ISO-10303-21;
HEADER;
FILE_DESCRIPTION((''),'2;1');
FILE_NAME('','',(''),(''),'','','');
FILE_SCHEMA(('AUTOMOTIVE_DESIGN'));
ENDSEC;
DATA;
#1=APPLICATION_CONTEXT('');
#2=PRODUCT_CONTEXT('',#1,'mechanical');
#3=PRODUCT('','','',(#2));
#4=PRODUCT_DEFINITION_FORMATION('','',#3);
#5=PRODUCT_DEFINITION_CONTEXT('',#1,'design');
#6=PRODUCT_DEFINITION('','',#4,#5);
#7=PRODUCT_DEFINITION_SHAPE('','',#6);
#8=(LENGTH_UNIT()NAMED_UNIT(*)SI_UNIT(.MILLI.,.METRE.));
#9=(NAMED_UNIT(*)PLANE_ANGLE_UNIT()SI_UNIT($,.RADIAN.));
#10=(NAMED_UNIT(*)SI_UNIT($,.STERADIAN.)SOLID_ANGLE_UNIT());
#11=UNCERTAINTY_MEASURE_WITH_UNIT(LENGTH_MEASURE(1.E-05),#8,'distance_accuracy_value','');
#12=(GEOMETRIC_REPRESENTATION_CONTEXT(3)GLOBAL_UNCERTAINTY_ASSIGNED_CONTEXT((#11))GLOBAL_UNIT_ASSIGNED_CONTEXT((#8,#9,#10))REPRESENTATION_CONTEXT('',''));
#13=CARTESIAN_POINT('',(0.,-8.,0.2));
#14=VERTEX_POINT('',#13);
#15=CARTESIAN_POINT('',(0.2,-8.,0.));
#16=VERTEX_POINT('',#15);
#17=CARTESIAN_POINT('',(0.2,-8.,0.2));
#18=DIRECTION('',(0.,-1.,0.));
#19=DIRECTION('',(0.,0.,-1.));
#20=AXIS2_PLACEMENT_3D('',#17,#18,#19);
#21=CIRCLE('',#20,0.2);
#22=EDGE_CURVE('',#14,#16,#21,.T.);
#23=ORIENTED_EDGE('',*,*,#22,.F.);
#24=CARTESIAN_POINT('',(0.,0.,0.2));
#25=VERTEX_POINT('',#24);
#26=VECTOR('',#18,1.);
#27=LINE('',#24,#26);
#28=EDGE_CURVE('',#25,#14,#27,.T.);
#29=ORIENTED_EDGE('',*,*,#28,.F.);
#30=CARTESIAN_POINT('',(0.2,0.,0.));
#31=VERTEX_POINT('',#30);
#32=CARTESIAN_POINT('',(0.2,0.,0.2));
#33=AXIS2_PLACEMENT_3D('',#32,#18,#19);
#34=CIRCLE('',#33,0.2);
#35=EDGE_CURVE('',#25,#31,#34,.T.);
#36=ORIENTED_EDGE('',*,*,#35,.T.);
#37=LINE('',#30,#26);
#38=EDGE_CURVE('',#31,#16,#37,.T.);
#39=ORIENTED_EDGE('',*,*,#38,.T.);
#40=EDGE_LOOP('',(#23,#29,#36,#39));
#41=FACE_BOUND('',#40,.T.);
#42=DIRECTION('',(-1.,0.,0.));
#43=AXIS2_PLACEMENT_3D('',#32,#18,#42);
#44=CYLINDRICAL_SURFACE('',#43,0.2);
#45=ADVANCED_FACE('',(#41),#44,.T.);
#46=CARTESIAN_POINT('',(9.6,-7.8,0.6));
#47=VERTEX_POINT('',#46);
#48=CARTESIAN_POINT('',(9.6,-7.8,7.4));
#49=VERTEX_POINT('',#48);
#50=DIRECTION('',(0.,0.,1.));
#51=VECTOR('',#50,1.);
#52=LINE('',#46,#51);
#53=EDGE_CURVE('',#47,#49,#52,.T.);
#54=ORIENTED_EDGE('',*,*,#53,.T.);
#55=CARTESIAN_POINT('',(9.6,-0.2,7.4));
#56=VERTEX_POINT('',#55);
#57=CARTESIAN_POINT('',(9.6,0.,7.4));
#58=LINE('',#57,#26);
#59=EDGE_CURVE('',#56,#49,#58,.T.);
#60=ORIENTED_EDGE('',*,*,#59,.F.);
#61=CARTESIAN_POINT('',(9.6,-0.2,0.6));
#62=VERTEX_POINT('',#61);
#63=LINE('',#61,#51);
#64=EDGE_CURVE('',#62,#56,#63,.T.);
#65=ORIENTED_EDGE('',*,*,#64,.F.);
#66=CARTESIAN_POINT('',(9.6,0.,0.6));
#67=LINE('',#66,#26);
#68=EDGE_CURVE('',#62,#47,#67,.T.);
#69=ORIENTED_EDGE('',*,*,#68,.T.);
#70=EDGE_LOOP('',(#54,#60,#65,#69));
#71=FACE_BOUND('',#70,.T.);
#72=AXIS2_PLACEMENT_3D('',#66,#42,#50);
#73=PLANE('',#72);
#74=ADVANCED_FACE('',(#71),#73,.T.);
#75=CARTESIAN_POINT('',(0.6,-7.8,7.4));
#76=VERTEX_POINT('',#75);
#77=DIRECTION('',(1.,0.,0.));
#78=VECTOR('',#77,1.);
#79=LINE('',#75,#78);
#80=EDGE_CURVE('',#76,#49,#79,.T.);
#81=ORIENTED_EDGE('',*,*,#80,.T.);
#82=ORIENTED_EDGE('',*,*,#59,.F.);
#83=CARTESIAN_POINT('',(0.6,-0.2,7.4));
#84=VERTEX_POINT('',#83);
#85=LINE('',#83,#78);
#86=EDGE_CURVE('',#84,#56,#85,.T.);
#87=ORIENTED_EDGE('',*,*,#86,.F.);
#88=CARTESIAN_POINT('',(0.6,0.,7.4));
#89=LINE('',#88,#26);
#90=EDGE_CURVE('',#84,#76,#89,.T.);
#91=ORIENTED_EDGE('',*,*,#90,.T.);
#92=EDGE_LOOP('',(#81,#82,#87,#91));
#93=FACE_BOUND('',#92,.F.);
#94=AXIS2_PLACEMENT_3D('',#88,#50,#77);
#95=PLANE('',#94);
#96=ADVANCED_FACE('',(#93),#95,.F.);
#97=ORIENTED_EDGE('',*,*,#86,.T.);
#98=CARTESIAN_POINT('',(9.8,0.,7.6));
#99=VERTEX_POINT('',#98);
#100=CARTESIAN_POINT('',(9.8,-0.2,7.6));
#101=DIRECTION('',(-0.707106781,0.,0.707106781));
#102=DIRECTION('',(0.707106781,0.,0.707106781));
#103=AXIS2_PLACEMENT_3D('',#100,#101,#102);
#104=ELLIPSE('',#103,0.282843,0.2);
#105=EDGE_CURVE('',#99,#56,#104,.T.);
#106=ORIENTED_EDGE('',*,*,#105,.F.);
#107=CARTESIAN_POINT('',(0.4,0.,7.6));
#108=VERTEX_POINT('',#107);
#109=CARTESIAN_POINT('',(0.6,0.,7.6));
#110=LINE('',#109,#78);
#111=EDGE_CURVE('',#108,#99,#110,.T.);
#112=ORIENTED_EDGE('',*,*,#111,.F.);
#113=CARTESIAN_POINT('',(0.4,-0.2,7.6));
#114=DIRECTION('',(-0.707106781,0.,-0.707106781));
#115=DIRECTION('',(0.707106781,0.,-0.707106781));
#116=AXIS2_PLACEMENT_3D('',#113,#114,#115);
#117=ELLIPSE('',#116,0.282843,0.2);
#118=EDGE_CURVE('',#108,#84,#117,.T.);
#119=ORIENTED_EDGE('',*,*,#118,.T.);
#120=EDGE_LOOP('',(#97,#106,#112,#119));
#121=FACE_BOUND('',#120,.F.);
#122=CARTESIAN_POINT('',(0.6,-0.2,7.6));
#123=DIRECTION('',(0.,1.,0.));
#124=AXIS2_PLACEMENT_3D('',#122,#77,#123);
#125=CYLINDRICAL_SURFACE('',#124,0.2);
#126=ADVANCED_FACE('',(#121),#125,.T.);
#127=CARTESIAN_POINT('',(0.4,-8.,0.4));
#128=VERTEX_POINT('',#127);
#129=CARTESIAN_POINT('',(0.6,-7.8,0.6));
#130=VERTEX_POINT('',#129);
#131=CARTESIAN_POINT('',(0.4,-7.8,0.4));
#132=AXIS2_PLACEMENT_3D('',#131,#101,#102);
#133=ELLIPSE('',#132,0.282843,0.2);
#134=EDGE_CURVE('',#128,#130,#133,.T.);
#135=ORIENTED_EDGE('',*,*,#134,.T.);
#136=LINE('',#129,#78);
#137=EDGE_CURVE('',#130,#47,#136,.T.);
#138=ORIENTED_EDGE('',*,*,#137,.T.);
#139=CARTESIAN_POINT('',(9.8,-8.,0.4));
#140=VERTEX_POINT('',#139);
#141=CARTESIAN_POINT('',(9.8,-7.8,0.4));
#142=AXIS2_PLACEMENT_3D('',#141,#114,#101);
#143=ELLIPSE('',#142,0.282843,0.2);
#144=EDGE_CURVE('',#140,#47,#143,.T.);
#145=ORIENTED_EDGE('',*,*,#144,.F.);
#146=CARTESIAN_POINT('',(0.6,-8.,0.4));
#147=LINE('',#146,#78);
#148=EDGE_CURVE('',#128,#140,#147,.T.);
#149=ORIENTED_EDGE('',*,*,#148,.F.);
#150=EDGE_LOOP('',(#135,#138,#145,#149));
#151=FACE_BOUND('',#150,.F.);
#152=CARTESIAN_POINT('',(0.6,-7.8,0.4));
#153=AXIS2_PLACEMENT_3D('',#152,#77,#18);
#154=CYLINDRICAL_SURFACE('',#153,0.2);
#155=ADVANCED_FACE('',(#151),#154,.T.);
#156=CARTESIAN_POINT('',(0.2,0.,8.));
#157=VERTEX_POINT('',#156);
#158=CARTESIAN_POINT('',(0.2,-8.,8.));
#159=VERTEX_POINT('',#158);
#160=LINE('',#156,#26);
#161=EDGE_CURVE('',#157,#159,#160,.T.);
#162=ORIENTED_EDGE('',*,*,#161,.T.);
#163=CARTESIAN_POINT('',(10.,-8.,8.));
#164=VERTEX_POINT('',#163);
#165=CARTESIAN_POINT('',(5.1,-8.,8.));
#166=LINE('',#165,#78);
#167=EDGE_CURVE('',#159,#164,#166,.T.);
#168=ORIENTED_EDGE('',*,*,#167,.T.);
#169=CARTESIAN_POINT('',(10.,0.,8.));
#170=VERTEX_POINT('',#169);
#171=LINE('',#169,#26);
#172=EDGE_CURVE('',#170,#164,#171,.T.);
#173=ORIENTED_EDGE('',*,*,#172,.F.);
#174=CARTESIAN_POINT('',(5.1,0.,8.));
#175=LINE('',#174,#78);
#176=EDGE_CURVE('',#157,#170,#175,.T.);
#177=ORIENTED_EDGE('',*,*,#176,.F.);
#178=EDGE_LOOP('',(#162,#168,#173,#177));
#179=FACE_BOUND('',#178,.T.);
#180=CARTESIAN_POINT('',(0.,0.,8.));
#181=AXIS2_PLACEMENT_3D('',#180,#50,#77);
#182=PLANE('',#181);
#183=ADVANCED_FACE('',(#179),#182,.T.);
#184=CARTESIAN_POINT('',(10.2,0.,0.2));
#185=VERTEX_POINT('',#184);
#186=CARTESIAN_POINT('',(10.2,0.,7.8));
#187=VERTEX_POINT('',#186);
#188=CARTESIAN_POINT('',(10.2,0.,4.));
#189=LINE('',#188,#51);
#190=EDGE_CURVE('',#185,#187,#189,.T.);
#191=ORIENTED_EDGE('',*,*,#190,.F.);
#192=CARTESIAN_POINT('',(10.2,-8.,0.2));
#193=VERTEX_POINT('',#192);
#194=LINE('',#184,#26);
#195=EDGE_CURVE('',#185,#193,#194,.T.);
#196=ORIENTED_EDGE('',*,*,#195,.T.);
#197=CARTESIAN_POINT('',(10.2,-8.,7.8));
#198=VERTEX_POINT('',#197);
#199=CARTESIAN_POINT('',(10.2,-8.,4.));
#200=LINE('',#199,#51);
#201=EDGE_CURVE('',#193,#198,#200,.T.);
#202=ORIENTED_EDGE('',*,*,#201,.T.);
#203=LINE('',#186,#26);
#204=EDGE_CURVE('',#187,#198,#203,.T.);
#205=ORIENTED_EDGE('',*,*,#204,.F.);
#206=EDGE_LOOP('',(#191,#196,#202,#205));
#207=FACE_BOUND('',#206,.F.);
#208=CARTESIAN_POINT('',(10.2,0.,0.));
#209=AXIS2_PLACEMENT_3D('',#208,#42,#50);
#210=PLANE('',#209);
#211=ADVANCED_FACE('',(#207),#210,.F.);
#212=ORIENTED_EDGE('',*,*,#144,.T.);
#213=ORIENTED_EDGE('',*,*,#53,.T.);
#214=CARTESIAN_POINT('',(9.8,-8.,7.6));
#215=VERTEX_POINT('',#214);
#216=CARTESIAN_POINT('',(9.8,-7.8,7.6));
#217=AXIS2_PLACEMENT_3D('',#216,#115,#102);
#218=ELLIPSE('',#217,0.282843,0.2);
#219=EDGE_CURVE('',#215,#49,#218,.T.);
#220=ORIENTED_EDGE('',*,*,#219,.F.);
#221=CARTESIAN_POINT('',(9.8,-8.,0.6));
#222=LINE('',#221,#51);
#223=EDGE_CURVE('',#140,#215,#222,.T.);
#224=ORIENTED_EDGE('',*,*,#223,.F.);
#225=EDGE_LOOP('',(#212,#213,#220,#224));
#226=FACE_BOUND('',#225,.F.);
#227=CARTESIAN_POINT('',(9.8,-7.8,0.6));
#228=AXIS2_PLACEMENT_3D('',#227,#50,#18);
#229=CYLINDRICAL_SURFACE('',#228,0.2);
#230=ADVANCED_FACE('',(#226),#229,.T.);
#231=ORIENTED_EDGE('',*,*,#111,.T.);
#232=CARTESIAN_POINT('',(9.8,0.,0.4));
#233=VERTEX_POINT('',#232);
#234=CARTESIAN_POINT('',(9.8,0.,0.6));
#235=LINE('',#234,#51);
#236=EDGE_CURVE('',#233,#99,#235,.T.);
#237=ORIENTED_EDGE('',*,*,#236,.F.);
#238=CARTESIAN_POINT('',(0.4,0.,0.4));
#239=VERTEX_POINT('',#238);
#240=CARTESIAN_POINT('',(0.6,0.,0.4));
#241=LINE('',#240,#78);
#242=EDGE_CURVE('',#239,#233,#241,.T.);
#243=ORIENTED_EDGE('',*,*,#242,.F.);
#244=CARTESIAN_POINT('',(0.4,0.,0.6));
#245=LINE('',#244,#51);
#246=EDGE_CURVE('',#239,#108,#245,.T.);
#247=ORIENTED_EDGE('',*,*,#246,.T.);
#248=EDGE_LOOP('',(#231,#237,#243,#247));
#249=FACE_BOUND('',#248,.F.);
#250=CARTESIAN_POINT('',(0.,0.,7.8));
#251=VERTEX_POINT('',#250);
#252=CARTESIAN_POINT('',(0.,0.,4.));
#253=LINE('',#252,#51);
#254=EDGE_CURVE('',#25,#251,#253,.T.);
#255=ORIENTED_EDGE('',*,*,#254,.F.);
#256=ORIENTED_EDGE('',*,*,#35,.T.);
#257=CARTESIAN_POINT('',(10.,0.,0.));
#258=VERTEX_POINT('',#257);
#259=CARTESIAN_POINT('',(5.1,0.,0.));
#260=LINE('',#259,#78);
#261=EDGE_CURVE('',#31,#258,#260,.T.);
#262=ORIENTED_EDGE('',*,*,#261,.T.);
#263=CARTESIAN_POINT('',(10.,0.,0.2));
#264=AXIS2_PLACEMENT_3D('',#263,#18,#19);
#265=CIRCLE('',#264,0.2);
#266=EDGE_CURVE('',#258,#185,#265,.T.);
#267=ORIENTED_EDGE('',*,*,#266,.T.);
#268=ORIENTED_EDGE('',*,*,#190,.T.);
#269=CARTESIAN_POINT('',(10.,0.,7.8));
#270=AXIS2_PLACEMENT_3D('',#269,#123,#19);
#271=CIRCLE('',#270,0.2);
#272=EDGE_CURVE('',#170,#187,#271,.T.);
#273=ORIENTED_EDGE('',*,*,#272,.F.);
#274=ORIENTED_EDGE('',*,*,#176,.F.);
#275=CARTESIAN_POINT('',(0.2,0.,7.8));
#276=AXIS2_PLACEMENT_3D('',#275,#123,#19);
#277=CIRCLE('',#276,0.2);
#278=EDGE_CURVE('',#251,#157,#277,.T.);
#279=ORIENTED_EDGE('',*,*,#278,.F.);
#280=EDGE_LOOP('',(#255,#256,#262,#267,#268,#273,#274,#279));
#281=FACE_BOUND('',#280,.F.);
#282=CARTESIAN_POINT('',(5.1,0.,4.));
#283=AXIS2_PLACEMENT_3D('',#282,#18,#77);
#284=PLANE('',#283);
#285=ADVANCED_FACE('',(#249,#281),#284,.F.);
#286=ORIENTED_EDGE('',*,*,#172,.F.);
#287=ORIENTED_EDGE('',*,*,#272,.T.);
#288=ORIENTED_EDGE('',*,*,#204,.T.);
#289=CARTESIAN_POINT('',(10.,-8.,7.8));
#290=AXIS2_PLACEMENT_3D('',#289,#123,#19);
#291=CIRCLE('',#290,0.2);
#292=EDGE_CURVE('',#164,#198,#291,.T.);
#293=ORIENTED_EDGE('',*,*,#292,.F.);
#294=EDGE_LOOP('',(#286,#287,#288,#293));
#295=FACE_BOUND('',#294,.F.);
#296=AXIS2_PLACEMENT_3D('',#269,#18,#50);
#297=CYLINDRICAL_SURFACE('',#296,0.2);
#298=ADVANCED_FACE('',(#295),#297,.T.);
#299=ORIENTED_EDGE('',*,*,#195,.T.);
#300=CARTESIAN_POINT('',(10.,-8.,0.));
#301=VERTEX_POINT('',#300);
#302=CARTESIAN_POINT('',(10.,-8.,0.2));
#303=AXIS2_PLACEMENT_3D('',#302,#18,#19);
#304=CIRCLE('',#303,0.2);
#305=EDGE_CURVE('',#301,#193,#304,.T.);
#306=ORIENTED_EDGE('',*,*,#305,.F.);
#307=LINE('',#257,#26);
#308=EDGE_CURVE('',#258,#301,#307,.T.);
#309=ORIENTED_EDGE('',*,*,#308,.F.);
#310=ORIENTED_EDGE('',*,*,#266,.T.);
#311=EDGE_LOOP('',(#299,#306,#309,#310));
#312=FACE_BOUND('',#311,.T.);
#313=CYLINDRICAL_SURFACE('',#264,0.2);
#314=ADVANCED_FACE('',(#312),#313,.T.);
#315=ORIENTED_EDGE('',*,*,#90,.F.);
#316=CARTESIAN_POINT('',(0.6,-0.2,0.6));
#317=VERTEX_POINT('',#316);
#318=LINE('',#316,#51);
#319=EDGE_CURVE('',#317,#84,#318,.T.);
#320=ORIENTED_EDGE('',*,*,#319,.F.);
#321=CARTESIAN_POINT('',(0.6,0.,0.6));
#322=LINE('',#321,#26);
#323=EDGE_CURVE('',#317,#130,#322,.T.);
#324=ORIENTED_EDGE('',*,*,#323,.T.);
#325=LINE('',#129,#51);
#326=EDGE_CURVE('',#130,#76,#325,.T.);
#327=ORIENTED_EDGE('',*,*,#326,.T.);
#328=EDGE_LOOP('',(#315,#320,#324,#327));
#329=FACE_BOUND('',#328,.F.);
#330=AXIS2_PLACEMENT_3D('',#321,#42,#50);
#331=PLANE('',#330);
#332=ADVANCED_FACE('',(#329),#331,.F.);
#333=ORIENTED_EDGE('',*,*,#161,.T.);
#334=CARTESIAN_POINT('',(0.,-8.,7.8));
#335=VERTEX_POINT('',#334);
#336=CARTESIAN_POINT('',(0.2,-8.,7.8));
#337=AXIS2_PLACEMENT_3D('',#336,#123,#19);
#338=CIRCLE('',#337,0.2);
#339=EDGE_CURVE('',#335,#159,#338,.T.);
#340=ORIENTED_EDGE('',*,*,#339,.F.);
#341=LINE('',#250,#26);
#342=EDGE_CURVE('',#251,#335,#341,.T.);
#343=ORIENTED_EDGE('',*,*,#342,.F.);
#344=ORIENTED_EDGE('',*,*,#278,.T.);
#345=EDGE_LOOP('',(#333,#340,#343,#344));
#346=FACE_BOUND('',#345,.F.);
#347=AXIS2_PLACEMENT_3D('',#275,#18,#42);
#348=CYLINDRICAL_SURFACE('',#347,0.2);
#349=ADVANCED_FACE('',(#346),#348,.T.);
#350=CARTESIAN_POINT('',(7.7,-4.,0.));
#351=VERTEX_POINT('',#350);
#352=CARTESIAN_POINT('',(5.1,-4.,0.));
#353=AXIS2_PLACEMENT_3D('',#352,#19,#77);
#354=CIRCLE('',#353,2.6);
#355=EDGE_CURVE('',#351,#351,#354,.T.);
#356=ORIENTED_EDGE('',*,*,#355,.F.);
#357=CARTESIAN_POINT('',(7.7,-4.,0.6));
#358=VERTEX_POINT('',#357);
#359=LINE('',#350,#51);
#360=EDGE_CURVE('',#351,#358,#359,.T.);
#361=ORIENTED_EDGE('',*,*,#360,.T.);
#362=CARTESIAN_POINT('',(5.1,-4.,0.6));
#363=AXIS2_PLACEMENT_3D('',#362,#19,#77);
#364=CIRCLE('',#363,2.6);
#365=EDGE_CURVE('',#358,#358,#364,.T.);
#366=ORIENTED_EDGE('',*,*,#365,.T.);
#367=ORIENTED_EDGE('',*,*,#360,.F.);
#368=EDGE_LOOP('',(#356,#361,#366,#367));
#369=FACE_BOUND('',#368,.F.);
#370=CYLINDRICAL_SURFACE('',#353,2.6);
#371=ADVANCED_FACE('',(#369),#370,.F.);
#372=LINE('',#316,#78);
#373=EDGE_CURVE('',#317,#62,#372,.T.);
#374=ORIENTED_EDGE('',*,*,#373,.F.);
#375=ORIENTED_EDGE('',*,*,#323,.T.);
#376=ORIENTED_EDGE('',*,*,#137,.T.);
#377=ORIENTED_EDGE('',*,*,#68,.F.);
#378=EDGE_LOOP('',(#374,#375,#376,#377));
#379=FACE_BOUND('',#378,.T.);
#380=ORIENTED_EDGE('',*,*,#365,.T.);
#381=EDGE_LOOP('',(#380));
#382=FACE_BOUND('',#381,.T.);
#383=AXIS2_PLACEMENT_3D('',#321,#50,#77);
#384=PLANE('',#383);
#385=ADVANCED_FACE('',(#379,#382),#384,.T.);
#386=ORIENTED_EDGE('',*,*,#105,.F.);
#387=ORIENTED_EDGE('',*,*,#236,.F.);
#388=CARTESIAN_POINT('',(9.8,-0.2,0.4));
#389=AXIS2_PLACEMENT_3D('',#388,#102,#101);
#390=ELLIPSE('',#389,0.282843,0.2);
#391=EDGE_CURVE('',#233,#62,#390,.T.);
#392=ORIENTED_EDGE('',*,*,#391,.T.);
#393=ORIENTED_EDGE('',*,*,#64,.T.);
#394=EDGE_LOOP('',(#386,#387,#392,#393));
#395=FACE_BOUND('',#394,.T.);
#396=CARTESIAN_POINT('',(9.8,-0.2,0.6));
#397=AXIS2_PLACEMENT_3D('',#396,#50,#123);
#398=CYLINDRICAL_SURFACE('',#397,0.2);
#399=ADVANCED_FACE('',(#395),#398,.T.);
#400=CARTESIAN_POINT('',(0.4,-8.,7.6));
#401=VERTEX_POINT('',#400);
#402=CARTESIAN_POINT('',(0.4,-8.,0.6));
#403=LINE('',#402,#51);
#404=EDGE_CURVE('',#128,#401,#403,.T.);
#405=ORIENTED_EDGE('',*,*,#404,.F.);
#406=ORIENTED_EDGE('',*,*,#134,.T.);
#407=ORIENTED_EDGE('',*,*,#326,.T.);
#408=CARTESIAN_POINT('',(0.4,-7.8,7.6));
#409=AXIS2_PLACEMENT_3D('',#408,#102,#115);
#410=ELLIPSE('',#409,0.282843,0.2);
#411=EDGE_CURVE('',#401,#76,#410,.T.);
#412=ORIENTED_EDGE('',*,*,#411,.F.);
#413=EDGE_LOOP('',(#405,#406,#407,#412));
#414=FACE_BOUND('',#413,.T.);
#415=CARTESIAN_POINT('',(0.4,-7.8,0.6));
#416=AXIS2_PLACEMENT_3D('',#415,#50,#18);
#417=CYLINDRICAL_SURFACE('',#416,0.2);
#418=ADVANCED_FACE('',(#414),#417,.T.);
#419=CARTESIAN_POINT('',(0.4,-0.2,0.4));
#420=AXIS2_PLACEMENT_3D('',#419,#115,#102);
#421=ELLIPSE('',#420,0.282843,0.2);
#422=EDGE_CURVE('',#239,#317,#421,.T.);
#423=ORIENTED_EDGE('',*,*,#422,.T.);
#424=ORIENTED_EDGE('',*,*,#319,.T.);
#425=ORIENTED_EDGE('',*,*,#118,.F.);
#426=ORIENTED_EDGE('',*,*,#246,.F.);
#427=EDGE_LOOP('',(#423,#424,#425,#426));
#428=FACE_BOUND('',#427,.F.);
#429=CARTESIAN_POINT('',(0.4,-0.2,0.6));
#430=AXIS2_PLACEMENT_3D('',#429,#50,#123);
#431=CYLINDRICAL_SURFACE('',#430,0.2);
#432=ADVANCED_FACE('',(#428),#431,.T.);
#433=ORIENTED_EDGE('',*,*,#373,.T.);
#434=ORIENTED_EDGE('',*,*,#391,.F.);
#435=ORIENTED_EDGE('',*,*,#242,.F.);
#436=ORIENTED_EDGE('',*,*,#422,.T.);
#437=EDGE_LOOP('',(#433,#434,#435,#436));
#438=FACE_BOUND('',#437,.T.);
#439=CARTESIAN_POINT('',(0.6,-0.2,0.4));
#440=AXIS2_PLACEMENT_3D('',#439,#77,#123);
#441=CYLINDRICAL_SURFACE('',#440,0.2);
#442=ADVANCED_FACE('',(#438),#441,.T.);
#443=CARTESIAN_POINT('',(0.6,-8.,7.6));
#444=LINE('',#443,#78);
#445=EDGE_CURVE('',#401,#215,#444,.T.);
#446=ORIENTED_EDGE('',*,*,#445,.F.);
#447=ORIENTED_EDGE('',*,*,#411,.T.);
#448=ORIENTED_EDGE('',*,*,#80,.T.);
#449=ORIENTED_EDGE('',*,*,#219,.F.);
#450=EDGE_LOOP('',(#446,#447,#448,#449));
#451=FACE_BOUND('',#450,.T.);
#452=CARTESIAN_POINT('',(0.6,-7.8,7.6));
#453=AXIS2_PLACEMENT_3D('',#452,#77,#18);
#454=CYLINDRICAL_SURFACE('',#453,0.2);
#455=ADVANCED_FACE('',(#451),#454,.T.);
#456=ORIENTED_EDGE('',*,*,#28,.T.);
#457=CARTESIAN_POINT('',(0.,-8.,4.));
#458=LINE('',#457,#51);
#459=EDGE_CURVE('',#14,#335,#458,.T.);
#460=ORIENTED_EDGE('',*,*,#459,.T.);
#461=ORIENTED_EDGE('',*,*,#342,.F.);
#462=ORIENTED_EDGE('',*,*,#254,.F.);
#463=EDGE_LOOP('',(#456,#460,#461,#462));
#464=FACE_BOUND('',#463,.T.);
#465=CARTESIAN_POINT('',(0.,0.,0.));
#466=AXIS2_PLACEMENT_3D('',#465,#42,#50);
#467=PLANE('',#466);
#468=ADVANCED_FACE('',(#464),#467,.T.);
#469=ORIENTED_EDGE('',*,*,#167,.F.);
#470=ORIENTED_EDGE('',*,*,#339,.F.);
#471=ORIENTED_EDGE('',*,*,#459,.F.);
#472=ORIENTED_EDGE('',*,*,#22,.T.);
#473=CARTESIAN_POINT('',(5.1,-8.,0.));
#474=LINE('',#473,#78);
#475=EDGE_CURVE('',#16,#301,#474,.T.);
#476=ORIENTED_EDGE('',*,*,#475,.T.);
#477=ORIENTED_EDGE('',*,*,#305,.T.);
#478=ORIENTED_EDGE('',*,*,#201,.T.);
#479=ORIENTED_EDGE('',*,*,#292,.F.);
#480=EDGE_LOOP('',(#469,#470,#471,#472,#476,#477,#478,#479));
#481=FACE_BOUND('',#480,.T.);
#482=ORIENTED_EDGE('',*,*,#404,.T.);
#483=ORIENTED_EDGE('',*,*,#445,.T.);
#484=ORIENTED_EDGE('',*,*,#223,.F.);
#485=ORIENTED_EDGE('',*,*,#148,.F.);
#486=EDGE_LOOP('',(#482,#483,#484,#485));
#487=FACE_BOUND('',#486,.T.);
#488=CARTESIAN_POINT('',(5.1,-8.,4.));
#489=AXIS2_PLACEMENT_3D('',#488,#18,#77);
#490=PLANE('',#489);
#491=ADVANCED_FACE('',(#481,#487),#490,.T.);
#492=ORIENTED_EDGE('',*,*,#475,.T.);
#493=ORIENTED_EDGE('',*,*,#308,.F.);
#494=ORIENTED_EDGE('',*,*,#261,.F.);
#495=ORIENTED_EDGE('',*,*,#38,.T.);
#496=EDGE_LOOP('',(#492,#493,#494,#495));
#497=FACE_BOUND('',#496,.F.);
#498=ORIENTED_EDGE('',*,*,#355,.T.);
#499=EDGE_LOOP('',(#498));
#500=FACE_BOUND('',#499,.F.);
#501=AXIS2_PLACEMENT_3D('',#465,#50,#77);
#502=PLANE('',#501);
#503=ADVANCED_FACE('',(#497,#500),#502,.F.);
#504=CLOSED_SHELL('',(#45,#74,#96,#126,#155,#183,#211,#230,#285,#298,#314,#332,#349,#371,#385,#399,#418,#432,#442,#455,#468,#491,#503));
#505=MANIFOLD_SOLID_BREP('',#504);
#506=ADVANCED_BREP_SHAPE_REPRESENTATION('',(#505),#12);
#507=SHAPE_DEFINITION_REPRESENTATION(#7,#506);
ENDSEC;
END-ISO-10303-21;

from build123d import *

# Parameters (mm, degrees)
SKETCH_W     = 10.2
SKETCH_H     = 8
SKETCH_W_2   = 9
SKETCH_H_2   = 6.8
PAD_DEPTH    = 8
SKETCH001_R  = 2.6
POCKET_DEPTH = 0.6
FILLET_R     = 0.2
FILLET001_R  = 0.2


with BuildPart() as part:
    # Sketch → Pad (new body)
    with BuildSketch(Plane.XZ):
        with Locations((5.1, 4)):
            Rectangle(SKETCH_W, SKETCH_H)
        with Locations((5.1, 4)):
            Rectangle(SKETCH_W_2, SKETCH_H_2, mode=Mode.SUBTRACT)
    extrude(amount=PAD_DEPTH)

    # Sketch001 (on Face1 of Pad) → Pocket (cut)
    with BuildSketch(Plane(origin=(0, 0, 0), x_dir=(1, 0, 0), z_dir=(0, 0, -1))):
        with Locations((5.1, 4)):
            Circle(SKETCH001_R)
    extrude(amount=-POCKET_DEPTH, mode=Mode.SUBTRACT)

    # Fillet
    fillet_edges = [part.edges().sort_by_distance(p)[0] for p in [
        (5.1, -8, 7.4),
        (0.6, -8, 4),
        (9.6, -8, 4),
        (5.1, -8, 0.6),
        (5.1, 0, 7.4),
        (9.6, 0, 4),
        (5.1, 0, 0.6),
        (0.6, 0, 4),
    ]]
    fillet(fillet_edges, radius=FILLET_R)

    # Fillet001
    fillet001_edges = [part.edges().sort_by_distance(p)[0] for p in [
        (0, -4, 8),
        (10.2, -4, 8),
        (0, -4, 0),
        (10.2, -4, 0),
    ]]
    fillet(fillet001_edges, radius=FILLET001_R)


solid = part.part
